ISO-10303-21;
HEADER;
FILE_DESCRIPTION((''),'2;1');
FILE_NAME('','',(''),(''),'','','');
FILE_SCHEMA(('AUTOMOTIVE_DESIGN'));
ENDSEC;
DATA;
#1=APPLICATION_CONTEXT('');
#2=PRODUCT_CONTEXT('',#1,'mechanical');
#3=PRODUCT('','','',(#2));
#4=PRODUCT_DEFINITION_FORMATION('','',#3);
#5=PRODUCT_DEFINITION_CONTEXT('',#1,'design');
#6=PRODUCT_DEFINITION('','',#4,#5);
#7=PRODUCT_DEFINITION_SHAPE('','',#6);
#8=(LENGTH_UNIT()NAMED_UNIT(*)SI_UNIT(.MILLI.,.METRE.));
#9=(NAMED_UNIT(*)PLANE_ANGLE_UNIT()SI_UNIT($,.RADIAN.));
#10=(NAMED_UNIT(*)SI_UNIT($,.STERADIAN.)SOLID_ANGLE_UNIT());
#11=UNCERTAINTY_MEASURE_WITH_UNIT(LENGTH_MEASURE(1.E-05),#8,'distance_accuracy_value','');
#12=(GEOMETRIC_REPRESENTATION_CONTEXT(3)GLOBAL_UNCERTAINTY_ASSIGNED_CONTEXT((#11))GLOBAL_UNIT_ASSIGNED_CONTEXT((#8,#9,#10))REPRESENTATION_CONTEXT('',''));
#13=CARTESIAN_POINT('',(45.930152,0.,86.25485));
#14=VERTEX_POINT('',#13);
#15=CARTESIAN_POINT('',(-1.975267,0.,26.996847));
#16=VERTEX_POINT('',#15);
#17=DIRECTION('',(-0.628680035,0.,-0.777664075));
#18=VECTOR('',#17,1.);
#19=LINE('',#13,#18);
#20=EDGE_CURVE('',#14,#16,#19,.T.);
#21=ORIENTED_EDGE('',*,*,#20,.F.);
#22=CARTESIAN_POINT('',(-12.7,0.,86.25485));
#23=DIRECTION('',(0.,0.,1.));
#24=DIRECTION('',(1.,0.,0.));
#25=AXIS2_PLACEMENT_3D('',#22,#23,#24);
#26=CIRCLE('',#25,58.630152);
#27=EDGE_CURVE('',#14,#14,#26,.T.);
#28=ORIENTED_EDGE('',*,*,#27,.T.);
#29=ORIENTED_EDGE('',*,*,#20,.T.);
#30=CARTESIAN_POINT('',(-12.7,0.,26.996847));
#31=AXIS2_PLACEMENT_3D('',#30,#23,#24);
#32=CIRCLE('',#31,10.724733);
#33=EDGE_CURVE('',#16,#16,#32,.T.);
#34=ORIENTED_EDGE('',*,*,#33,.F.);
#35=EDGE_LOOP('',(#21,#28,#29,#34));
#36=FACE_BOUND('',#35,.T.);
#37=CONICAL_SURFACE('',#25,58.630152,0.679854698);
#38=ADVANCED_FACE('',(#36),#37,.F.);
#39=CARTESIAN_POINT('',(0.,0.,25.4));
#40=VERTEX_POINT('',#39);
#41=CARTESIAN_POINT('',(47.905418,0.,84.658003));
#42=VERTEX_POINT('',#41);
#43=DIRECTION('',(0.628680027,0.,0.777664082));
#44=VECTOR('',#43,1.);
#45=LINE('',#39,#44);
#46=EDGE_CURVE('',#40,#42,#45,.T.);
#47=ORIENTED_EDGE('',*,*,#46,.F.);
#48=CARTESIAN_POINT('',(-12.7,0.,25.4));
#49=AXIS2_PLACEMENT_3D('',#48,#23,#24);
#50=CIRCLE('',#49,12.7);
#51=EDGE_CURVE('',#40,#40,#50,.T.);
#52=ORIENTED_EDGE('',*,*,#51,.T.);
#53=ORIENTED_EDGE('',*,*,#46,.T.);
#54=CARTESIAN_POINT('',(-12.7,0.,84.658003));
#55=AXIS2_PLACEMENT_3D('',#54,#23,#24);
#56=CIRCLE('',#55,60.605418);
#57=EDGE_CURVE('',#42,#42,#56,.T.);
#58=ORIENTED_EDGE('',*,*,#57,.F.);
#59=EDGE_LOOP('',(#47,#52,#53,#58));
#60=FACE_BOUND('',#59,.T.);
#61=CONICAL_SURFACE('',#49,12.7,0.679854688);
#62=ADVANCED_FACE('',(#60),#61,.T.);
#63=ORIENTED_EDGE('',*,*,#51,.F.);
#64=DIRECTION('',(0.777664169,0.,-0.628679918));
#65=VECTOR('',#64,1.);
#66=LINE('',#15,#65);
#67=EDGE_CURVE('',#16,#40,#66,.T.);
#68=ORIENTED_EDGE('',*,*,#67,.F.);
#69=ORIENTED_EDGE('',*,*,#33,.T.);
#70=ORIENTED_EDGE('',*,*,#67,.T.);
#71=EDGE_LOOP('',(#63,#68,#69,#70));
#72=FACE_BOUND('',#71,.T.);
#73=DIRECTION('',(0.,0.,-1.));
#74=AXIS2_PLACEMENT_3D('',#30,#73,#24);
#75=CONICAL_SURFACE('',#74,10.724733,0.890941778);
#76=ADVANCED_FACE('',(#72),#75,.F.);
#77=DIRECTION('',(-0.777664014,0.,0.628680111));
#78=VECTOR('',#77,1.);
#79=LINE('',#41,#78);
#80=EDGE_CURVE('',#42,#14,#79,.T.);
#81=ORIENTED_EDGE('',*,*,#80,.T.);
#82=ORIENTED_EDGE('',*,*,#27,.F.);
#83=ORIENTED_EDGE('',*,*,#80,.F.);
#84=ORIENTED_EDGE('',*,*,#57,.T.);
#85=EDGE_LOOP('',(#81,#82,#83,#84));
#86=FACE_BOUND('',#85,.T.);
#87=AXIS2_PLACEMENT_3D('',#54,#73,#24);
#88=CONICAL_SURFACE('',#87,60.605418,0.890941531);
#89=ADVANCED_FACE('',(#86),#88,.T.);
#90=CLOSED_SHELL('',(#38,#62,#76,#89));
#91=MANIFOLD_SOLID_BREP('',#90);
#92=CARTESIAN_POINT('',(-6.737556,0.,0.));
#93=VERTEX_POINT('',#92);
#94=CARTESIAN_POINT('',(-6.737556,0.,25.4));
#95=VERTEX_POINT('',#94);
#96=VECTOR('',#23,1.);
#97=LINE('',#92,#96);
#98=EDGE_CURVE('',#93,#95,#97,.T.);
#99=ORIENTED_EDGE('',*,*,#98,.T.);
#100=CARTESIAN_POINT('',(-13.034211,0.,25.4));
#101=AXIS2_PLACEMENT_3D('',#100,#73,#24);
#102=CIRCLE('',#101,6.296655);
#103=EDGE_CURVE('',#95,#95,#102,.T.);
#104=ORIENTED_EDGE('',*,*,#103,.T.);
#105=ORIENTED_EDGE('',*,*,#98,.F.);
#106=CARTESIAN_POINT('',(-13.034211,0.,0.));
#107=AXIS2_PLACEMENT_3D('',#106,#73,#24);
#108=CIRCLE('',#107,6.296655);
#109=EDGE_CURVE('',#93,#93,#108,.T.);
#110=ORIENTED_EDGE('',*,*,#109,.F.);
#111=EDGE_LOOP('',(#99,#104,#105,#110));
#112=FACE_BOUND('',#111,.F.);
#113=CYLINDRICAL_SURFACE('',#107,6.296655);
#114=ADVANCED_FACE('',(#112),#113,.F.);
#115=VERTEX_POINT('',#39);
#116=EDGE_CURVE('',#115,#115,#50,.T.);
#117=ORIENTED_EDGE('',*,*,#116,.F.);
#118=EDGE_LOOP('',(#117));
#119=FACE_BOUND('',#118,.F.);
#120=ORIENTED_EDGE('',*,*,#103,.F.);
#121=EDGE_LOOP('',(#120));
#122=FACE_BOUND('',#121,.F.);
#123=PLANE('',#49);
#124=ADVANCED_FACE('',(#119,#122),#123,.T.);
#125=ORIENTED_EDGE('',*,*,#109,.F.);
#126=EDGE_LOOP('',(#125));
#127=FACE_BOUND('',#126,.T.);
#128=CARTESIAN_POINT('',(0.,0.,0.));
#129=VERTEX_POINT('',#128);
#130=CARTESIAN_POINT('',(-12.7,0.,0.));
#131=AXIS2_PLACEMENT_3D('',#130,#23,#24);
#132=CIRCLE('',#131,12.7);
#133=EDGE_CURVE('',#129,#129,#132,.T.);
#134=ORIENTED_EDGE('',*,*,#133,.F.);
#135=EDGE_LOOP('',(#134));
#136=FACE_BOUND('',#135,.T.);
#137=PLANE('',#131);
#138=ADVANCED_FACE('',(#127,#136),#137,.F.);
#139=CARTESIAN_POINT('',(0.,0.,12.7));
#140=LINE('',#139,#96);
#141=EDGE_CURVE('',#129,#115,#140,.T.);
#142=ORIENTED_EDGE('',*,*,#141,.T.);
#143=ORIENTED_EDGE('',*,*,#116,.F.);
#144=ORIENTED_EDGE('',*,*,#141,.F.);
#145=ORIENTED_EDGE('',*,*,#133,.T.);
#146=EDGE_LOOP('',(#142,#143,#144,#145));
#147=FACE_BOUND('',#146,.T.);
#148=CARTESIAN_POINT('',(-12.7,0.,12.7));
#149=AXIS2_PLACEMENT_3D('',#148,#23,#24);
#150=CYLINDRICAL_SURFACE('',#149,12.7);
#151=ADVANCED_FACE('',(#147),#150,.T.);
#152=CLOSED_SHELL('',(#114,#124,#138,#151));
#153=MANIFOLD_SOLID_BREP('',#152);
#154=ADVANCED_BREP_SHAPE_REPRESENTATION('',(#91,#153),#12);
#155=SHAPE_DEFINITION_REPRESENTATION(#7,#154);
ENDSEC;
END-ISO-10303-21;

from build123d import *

# Parameters (mm, degrees)
F0_W     = 12.7
F0_H     = 25.4
F3_R     = 6.296655
F4_DEPTH = 25.4


with BuildPart() as f1:
    # F0 (on Front) → F1 (revolve)
    with BuildSketch(Plane.XZ):
        Polygon((-1.975267, 26.996847), (0, 25.4), (47.905418, 84.658003), (45.930152, 86.25485), align=None)
        with Locations((-6.35, 12.7)):
            Rectangle(F0_W, F0_H)
    revolve(axis=Axis((-12.7, 0, 12.7), (0, 0, 1)))

    # F3 (on face) → F4 (cut)
    with BuildSketch(Plane(origin=(0, 0, 0), x_dir=(1, 0, 0), z_dir=(0, 0, -1))):
        with Locations((-13.034211, 0)):
            Circle(F3_R)
    extrude(amount=-F4_DEPTH, mode=Mode.SUBTRACT)


solid = f1.part
